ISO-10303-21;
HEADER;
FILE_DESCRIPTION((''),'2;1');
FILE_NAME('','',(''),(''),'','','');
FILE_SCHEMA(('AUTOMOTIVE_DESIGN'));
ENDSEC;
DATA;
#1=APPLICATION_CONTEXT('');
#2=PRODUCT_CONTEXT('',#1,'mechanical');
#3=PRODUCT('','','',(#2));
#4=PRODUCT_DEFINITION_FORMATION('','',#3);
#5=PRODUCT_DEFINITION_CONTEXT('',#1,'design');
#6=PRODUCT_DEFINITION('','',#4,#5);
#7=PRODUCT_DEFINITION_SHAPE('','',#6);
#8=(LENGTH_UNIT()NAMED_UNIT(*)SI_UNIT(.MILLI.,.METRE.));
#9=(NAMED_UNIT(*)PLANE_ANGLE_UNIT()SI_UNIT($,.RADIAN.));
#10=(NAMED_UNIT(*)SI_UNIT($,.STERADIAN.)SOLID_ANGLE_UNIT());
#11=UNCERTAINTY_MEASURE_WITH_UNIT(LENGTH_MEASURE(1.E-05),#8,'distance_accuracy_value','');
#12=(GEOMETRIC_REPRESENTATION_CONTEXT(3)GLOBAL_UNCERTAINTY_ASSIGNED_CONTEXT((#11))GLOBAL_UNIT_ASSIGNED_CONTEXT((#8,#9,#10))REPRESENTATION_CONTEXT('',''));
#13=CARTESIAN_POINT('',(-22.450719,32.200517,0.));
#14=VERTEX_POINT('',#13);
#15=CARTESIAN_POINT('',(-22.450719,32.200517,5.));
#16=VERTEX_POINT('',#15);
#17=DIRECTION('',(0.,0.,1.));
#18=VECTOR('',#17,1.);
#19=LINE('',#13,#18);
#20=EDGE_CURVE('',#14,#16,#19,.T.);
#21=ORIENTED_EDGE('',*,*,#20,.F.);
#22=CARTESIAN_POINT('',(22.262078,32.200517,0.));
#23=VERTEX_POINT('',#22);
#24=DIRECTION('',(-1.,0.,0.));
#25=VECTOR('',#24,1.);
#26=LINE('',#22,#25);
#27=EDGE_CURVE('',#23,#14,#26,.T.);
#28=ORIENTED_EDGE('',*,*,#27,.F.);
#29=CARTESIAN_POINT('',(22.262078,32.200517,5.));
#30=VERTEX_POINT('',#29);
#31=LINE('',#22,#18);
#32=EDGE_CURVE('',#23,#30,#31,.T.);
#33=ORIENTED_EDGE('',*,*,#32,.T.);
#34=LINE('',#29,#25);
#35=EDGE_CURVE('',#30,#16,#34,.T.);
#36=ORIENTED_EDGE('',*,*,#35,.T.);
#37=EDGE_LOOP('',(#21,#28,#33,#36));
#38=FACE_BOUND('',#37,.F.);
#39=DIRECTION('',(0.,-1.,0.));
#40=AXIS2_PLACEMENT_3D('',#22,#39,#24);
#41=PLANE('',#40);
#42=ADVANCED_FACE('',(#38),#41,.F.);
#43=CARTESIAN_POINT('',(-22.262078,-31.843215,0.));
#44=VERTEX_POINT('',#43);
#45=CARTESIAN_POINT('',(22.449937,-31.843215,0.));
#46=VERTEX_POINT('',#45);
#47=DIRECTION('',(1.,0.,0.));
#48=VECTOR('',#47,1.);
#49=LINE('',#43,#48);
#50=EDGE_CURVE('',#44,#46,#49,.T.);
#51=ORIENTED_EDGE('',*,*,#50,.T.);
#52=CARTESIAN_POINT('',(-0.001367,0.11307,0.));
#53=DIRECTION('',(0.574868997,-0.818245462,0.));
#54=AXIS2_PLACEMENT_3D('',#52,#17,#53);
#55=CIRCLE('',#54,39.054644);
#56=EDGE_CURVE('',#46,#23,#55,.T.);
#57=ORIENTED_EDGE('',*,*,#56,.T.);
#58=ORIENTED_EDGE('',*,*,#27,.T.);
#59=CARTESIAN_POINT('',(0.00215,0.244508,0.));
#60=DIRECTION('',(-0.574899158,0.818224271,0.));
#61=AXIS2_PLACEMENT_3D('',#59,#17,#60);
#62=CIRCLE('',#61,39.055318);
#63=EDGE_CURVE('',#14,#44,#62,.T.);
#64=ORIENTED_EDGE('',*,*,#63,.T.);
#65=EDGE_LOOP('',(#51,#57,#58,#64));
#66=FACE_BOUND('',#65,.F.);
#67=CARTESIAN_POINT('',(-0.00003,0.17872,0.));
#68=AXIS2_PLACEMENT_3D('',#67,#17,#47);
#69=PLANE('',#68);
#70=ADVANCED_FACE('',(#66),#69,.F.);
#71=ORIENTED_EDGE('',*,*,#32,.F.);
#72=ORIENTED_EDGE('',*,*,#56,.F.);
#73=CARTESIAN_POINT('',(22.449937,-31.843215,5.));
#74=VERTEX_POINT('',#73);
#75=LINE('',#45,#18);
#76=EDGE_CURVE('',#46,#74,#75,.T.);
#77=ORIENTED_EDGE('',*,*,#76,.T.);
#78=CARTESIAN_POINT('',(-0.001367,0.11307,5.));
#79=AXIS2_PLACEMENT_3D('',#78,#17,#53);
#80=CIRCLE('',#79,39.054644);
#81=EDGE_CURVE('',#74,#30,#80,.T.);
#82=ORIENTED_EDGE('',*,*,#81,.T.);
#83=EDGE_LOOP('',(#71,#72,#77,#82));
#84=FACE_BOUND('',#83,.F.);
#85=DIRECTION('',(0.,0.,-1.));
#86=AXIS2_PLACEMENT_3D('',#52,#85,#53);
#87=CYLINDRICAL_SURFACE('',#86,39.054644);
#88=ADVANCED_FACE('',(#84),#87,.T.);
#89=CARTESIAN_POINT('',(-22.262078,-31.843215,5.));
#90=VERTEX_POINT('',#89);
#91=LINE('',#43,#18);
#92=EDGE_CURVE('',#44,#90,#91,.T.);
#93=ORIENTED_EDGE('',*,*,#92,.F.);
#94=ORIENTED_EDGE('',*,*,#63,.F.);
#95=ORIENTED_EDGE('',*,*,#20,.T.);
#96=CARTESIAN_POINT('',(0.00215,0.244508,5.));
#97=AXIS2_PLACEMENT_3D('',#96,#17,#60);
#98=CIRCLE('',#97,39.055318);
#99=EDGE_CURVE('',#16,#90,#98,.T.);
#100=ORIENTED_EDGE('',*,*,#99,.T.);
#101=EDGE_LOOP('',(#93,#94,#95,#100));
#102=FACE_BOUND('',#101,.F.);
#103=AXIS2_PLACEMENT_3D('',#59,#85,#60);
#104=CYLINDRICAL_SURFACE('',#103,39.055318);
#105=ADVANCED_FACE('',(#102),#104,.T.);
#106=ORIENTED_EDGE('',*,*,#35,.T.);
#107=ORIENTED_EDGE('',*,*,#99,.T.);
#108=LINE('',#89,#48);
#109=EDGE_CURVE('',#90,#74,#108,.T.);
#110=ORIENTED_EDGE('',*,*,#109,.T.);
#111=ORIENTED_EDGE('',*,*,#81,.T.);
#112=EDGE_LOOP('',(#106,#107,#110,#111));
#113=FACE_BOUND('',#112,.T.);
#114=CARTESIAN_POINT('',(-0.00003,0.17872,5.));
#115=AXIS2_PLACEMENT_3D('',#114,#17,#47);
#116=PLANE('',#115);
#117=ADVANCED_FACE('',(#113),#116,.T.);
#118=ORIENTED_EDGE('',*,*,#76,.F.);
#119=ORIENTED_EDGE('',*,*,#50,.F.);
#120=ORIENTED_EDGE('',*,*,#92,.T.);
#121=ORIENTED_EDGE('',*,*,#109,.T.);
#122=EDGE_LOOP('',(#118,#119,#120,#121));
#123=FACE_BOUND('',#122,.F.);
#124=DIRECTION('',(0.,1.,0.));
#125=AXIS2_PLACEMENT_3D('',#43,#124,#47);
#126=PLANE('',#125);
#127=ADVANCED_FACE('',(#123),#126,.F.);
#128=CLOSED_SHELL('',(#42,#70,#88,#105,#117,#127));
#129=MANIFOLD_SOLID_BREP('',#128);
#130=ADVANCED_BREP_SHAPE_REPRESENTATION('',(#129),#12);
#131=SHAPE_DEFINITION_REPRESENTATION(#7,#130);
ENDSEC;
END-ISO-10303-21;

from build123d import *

# Parameters (mm, degrees)
PAD_1_DEPTH = 5


with BuildPart() as part:
    # Sketch_1 → Pad_1 (new body)
    with BuildSketch(Plane.XY):
        with BuildLine():
            ThreePointArc((22.449937, -31.843215), (39.053109, 0.227628), (22.262078, 32.200517))
            Line((22.262078, 32.200517), (-22.450719, 32.200517))
            ThreePointArc((-22.450719, 32.200517), (-39.052998, 0.129471), (-22.262078, -31.843215))
            Line((-22.262078, -31.843215), (22.449937, -31.843215))
        make_face()
    extrude(amount=PAD_1_DEPTH)


solid = part.part
